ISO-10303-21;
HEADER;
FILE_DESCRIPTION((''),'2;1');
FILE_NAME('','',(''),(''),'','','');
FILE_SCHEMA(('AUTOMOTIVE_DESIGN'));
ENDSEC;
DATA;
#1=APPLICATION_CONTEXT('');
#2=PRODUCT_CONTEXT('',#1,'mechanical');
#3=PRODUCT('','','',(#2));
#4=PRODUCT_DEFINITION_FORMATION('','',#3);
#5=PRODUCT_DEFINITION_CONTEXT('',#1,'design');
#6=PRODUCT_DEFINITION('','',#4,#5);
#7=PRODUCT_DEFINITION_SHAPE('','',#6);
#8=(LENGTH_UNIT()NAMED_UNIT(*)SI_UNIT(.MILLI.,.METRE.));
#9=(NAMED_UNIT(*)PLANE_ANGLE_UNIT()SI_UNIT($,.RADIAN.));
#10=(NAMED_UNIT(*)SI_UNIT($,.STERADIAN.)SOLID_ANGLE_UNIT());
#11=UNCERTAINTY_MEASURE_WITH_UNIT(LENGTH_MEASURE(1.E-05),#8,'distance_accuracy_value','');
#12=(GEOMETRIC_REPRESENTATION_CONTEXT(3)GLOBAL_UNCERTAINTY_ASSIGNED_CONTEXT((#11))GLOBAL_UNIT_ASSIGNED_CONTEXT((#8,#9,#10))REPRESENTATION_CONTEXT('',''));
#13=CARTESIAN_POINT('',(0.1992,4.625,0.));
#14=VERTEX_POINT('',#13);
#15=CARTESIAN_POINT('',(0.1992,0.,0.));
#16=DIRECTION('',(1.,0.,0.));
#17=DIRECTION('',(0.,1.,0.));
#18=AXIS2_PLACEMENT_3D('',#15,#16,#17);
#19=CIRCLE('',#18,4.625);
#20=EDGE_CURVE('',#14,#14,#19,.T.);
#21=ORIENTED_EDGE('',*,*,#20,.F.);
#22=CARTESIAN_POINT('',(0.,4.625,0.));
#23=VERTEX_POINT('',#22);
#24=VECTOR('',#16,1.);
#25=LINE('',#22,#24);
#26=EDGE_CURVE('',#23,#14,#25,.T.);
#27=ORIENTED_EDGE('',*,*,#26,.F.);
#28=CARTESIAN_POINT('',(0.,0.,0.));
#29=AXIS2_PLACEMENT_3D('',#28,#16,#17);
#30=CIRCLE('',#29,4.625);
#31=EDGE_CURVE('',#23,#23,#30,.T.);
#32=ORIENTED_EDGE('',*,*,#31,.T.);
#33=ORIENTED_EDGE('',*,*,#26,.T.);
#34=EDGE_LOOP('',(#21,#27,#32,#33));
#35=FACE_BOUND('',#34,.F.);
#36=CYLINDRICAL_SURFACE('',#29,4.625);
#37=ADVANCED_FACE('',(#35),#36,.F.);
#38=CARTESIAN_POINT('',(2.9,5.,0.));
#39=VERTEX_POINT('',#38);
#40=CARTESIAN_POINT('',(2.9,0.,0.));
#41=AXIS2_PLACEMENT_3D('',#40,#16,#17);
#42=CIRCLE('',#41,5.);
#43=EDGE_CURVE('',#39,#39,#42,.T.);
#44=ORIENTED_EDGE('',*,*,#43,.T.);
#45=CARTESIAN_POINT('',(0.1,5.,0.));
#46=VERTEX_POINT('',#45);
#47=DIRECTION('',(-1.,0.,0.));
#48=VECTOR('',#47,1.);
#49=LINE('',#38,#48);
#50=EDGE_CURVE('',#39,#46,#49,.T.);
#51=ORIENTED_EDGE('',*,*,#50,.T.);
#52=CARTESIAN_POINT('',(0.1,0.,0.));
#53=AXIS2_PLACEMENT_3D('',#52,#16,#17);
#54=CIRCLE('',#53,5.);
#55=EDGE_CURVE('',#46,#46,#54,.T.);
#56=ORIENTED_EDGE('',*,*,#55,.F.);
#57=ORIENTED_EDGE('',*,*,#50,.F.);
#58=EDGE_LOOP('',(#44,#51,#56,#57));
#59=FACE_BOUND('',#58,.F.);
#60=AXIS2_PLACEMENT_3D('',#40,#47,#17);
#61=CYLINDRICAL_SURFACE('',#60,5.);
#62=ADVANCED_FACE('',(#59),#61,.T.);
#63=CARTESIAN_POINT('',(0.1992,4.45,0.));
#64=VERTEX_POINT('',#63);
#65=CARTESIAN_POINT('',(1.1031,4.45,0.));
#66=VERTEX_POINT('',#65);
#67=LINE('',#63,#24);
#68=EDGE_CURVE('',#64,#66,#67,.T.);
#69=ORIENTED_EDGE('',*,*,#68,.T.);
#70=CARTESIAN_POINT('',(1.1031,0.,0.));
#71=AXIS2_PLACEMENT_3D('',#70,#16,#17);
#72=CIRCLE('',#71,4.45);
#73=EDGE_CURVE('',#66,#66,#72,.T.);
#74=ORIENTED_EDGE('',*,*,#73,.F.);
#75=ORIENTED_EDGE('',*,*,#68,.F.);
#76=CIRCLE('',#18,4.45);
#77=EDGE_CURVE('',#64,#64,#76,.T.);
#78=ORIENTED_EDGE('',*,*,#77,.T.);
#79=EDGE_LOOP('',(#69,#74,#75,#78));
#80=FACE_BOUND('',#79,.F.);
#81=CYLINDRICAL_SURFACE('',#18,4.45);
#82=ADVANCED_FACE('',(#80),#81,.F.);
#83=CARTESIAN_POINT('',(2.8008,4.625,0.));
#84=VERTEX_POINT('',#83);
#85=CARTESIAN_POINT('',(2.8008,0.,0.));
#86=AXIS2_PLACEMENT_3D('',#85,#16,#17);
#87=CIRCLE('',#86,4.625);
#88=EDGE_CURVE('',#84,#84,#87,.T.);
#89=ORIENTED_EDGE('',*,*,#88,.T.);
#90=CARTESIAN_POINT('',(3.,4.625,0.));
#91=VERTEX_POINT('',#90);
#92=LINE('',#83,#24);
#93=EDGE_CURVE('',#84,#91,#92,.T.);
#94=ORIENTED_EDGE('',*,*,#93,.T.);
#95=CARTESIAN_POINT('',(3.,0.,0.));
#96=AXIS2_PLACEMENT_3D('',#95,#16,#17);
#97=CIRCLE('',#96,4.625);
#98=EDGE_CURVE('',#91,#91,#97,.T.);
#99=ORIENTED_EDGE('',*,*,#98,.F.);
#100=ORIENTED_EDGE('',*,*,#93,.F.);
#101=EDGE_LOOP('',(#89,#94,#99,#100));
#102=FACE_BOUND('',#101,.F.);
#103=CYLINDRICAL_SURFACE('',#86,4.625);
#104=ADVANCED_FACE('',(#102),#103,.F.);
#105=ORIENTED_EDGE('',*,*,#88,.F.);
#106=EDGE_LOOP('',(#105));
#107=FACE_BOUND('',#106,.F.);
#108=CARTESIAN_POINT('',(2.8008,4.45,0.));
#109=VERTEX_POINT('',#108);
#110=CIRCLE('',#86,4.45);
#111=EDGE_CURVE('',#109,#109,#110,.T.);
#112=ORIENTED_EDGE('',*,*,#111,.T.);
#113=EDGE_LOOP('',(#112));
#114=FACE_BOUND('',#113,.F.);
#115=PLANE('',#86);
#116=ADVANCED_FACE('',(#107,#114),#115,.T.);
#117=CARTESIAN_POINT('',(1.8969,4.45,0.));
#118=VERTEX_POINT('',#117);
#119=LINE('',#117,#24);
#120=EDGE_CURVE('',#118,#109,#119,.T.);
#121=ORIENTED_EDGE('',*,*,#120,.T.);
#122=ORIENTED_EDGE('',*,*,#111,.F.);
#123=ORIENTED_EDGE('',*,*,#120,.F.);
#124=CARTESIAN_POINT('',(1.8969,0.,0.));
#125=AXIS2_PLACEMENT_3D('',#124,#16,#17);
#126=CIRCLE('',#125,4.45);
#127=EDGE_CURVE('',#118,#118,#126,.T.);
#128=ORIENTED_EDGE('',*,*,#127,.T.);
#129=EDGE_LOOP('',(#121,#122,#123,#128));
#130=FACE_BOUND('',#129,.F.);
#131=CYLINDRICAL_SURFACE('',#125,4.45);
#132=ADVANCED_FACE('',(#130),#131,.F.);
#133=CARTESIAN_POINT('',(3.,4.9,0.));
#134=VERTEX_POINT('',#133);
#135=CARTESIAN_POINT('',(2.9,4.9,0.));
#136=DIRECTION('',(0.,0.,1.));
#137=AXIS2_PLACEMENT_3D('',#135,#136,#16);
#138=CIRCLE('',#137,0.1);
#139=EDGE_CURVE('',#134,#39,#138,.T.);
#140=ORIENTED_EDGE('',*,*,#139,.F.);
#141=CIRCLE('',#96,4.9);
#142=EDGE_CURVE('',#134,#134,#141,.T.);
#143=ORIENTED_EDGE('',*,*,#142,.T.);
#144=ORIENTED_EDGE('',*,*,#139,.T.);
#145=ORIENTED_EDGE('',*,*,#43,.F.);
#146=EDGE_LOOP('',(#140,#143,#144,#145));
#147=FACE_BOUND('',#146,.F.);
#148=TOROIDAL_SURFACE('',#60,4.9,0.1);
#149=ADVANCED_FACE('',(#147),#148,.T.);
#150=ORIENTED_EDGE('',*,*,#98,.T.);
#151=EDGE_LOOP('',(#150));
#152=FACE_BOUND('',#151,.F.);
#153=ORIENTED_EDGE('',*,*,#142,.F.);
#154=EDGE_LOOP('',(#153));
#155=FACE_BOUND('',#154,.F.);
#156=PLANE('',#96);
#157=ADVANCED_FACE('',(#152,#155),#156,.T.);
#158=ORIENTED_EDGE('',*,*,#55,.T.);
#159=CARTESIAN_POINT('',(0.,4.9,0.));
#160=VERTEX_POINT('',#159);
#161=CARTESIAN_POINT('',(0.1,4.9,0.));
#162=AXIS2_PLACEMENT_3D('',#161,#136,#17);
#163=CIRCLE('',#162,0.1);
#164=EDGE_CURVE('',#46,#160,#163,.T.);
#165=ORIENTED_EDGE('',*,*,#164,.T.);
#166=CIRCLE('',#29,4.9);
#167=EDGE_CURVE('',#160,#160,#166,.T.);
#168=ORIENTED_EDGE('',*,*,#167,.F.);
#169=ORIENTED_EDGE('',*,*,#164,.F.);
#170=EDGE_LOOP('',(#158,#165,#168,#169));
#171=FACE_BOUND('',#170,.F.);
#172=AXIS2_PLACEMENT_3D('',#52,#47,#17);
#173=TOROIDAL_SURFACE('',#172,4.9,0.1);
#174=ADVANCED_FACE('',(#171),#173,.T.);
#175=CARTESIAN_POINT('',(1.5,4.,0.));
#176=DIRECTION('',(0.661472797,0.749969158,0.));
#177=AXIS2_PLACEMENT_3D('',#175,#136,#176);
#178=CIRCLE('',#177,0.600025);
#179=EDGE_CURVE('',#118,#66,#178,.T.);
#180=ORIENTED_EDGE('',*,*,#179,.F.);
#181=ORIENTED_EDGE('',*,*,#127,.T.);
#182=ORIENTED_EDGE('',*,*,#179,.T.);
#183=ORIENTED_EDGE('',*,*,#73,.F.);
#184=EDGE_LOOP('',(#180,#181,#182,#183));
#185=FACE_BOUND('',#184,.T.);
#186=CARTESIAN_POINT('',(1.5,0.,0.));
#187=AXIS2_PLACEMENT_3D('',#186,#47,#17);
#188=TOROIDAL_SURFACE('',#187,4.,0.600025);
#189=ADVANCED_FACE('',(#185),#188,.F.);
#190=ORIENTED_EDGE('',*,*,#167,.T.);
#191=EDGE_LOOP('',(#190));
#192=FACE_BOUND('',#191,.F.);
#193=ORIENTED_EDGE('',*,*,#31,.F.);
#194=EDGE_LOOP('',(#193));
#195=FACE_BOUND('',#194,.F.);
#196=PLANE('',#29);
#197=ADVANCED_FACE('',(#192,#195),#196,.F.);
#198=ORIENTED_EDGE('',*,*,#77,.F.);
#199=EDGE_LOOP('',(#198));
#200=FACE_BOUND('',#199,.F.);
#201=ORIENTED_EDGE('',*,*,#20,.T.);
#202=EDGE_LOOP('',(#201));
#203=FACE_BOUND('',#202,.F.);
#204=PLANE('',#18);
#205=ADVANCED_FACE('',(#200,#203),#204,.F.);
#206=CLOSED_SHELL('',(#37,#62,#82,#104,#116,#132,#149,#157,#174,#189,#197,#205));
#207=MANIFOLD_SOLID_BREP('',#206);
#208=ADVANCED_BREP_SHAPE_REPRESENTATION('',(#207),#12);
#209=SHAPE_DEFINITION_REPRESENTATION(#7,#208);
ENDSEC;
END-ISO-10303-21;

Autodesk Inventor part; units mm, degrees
sketch "Sketch_1" plane through (0, 0, 0) normal (0, 0, 1) x (1, 0, 0)
  line L0 (3, 0) -> (0, 0)
  line L1 (0, 4.625) -> (0.1992, 4.625)
  line L2 (0.1992, 4.625) -> (0.1992, 4.45)
  line L3 (0.1992, 4.45) -> (1.1031, 4.45)
  arc A0 (1.8969, 4.45) -> (1.1031, 4.45) centre (1.5, 4) ccw
  line L4 (1.8969, 4.45) -> (2.8008, 4.45)
  line L5 (2.8008, 4.45) -> (2.8008, 4.625)
  line L6 (2.8008, 4.625) -> (3, 4.625)
  line L7 (3, 4.625) -> (3, 4.9)
  arc A1 (3, 4.9) -> (2.9, 5) centre (2.9, 4.9) ccw
  line L8 (2.9, 5) -> (0.1, 5)
  arc A2 (0.1, 5) -> (0, 4.9) centre (0.1, 4.9) ccw
  line L9 (0, 4.9) -> (0, 4.625)
revolve "Revolution1" add sketch "Sketch_1" angle 360 about axis through (3, 0, 0) along (1, 0, 0)
ref_plane "ip_st_or_1_XY" through (0, 0, 0) normal (1, 0, 0) x (0, 0, -1)
ref_plane "ip_st_or_1_YZ" through (0, 0, 0) normal (0, 0, -1) x (0, 1, 0)
ref_plane "ip_st_or_1_ZX" through (0, 0, 0) normal (0, 1, 0) x (1, 0, 0)
ref_plane "ip_st_or_2_XY" through (2.8008, 0, 0) normal (-1, 0, 0) x (0, 0, -1)
ref_plane "ip_st_or_2_YZ" through (2.8008, 0, 0) normal (0, 0, -1) x (0, -1, 0)
ref_plane "ip_st_or_2_ZX" through (2.8008, 0, 0) normal (0, -1, 0) x (-1, 0, 0)
properties part number "MR106ZZ1 Outer Ring"
